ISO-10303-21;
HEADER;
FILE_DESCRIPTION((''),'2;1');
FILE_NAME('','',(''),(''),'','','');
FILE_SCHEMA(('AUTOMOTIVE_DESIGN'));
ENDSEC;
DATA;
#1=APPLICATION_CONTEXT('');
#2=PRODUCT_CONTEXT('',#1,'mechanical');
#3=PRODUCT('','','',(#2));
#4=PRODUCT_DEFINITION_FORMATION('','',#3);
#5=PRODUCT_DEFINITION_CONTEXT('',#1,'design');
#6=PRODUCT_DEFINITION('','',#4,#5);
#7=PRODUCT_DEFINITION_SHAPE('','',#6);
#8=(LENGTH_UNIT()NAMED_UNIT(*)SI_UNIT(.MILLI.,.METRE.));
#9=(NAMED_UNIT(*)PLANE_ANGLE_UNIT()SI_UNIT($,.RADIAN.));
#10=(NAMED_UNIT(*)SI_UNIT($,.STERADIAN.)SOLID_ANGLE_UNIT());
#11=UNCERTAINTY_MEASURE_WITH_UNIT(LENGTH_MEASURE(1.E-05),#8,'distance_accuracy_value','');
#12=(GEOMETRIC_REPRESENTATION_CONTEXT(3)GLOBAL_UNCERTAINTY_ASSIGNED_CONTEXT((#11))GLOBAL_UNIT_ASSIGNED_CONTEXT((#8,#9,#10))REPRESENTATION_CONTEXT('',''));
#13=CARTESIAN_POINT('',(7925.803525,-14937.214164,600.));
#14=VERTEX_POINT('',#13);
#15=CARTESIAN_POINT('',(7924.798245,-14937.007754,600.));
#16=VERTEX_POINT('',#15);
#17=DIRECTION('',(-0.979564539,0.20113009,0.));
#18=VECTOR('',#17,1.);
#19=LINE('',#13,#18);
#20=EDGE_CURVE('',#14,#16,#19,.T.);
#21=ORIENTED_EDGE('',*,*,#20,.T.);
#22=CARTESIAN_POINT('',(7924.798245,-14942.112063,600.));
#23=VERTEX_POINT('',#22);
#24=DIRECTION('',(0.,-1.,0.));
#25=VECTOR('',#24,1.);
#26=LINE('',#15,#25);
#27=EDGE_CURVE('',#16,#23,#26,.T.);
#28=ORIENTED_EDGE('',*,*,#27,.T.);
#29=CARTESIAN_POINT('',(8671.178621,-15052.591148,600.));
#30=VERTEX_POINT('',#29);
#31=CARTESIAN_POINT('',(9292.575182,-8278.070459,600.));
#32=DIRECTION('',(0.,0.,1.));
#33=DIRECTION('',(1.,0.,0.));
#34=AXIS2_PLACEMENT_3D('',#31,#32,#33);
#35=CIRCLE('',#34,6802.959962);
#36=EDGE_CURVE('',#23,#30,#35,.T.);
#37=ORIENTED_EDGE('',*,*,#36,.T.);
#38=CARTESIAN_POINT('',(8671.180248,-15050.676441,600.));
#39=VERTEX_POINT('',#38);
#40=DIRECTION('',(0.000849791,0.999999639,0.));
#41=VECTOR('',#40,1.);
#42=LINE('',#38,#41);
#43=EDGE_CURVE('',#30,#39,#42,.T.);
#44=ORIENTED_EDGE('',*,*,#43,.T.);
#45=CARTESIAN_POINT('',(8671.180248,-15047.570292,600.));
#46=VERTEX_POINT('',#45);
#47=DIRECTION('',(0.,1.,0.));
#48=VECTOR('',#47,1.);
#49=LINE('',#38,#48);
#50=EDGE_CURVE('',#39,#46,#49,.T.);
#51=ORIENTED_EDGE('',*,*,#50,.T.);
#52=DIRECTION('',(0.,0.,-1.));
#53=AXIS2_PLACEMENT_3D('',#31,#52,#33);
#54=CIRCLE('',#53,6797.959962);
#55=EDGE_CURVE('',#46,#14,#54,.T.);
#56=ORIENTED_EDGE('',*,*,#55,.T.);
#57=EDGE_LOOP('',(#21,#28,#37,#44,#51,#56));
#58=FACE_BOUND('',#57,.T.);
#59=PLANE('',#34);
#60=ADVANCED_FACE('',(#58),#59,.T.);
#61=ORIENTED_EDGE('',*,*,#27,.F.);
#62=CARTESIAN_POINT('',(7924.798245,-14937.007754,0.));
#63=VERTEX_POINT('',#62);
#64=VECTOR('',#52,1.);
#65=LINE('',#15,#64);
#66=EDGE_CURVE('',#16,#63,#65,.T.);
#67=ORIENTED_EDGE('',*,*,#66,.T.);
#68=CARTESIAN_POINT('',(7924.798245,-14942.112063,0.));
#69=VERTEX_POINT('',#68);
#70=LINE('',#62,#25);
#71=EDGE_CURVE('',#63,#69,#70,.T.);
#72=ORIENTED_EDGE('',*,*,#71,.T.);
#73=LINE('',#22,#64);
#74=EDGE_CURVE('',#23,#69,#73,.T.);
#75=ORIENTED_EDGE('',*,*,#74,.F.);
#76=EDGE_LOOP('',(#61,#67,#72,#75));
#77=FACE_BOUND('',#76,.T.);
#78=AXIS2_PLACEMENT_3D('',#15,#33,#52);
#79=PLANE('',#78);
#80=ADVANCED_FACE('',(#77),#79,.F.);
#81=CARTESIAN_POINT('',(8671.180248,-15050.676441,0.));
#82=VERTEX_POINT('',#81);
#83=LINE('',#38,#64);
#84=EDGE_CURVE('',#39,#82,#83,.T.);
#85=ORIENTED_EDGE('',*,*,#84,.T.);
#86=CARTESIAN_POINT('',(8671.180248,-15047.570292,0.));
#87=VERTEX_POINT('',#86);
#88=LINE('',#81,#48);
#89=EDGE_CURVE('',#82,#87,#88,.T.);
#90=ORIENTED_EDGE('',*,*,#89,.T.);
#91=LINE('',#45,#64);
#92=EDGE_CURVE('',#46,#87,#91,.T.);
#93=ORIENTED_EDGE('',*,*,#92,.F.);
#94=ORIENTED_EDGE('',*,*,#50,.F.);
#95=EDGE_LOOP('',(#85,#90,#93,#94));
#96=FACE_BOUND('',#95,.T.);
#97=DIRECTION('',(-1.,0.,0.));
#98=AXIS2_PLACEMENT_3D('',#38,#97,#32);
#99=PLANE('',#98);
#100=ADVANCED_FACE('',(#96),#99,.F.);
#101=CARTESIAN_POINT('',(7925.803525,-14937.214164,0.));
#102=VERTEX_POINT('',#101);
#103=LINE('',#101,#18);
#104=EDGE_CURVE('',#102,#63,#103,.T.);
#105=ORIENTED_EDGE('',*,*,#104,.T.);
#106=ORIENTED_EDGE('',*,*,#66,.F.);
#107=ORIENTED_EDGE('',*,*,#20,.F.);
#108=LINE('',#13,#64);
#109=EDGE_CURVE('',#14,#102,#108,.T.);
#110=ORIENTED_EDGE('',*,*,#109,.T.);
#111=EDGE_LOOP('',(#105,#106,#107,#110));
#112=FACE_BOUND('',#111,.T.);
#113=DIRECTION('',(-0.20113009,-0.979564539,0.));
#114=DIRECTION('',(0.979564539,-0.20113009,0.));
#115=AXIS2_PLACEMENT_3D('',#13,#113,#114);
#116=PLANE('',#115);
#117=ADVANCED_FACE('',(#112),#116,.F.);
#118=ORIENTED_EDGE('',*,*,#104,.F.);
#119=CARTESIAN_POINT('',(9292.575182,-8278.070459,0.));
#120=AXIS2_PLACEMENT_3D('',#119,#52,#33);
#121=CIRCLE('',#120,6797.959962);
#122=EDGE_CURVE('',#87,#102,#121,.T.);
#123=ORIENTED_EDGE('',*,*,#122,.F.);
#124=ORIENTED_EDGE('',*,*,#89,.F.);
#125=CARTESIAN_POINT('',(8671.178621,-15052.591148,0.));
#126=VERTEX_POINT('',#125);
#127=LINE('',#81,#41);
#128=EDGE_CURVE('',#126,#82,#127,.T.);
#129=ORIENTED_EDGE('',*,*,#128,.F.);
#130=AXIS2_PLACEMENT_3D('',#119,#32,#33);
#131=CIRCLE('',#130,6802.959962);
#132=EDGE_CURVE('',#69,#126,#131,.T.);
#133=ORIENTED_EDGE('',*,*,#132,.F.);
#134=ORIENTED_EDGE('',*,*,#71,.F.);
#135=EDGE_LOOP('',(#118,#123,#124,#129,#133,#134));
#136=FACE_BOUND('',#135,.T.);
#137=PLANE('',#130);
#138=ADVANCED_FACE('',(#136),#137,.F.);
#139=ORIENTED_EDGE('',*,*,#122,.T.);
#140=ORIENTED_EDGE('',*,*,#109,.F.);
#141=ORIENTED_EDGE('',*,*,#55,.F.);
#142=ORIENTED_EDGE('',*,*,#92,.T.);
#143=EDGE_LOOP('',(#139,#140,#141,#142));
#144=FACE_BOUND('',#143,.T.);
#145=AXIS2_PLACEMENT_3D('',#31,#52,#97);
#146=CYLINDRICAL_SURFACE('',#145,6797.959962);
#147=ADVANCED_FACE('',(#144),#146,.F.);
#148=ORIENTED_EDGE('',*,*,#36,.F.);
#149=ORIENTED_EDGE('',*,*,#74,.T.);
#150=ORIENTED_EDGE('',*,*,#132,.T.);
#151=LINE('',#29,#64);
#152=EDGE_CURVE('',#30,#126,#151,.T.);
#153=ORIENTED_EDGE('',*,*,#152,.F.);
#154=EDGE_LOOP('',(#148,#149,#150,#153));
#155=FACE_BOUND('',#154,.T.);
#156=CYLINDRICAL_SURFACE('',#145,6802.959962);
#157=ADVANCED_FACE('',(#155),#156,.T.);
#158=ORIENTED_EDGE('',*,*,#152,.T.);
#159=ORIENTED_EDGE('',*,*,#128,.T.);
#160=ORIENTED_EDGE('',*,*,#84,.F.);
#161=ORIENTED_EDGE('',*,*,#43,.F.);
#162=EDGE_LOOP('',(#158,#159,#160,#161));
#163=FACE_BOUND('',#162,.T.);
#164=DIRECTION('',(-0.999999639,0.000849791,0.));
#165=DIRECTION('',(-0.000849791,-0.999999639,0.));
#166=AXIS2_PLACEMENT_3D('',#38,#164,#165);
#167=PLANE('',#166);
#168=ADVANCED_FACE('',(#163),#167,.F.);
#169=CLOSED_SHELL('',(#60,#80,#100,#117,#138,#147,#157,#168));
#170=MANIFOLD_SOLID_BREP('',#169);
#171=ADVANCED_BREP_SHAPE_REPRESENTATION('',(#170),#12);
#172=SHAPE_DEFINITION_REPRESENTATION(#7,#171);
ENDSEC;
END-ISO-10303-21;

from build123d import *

# Parameters (mm, degrees)
BOSS_EXTRUDE1_DEPTH = 600


with BuildPart() as part:
    # Sketch2 → Boss-Extrude1 (new body)
    with BuildSketch(Plane.XY):
        with BuildLine():
            Line((8671.180248107, -15050.67644099), (8671.180248107, -15047.570291511))
            ThreePointArc((8671.180248107, -15047.570291511), (8296.961694468, -15002.727582577), (7925.803525446, -14937.214164091))
            Line((7925.803525446, -14937.214164091), (7924.798244697, -14937.007753794))
            Line((7924.798244697, -14937.007753794), (7924.798244697, -14942.112062683))
            ThreePointArc((7924.798244697, -14942.112062683), (8296.455606532, -15007.707153296), (8671.178621007, -15052.591147568))
            Line((8671.178621007, -15052.591147568), (8671.180248107, -15050.67644099))
        make_face()
    extrude(amount=BOSS_EXTRUDE1_DEPTH)


solid = part.part
